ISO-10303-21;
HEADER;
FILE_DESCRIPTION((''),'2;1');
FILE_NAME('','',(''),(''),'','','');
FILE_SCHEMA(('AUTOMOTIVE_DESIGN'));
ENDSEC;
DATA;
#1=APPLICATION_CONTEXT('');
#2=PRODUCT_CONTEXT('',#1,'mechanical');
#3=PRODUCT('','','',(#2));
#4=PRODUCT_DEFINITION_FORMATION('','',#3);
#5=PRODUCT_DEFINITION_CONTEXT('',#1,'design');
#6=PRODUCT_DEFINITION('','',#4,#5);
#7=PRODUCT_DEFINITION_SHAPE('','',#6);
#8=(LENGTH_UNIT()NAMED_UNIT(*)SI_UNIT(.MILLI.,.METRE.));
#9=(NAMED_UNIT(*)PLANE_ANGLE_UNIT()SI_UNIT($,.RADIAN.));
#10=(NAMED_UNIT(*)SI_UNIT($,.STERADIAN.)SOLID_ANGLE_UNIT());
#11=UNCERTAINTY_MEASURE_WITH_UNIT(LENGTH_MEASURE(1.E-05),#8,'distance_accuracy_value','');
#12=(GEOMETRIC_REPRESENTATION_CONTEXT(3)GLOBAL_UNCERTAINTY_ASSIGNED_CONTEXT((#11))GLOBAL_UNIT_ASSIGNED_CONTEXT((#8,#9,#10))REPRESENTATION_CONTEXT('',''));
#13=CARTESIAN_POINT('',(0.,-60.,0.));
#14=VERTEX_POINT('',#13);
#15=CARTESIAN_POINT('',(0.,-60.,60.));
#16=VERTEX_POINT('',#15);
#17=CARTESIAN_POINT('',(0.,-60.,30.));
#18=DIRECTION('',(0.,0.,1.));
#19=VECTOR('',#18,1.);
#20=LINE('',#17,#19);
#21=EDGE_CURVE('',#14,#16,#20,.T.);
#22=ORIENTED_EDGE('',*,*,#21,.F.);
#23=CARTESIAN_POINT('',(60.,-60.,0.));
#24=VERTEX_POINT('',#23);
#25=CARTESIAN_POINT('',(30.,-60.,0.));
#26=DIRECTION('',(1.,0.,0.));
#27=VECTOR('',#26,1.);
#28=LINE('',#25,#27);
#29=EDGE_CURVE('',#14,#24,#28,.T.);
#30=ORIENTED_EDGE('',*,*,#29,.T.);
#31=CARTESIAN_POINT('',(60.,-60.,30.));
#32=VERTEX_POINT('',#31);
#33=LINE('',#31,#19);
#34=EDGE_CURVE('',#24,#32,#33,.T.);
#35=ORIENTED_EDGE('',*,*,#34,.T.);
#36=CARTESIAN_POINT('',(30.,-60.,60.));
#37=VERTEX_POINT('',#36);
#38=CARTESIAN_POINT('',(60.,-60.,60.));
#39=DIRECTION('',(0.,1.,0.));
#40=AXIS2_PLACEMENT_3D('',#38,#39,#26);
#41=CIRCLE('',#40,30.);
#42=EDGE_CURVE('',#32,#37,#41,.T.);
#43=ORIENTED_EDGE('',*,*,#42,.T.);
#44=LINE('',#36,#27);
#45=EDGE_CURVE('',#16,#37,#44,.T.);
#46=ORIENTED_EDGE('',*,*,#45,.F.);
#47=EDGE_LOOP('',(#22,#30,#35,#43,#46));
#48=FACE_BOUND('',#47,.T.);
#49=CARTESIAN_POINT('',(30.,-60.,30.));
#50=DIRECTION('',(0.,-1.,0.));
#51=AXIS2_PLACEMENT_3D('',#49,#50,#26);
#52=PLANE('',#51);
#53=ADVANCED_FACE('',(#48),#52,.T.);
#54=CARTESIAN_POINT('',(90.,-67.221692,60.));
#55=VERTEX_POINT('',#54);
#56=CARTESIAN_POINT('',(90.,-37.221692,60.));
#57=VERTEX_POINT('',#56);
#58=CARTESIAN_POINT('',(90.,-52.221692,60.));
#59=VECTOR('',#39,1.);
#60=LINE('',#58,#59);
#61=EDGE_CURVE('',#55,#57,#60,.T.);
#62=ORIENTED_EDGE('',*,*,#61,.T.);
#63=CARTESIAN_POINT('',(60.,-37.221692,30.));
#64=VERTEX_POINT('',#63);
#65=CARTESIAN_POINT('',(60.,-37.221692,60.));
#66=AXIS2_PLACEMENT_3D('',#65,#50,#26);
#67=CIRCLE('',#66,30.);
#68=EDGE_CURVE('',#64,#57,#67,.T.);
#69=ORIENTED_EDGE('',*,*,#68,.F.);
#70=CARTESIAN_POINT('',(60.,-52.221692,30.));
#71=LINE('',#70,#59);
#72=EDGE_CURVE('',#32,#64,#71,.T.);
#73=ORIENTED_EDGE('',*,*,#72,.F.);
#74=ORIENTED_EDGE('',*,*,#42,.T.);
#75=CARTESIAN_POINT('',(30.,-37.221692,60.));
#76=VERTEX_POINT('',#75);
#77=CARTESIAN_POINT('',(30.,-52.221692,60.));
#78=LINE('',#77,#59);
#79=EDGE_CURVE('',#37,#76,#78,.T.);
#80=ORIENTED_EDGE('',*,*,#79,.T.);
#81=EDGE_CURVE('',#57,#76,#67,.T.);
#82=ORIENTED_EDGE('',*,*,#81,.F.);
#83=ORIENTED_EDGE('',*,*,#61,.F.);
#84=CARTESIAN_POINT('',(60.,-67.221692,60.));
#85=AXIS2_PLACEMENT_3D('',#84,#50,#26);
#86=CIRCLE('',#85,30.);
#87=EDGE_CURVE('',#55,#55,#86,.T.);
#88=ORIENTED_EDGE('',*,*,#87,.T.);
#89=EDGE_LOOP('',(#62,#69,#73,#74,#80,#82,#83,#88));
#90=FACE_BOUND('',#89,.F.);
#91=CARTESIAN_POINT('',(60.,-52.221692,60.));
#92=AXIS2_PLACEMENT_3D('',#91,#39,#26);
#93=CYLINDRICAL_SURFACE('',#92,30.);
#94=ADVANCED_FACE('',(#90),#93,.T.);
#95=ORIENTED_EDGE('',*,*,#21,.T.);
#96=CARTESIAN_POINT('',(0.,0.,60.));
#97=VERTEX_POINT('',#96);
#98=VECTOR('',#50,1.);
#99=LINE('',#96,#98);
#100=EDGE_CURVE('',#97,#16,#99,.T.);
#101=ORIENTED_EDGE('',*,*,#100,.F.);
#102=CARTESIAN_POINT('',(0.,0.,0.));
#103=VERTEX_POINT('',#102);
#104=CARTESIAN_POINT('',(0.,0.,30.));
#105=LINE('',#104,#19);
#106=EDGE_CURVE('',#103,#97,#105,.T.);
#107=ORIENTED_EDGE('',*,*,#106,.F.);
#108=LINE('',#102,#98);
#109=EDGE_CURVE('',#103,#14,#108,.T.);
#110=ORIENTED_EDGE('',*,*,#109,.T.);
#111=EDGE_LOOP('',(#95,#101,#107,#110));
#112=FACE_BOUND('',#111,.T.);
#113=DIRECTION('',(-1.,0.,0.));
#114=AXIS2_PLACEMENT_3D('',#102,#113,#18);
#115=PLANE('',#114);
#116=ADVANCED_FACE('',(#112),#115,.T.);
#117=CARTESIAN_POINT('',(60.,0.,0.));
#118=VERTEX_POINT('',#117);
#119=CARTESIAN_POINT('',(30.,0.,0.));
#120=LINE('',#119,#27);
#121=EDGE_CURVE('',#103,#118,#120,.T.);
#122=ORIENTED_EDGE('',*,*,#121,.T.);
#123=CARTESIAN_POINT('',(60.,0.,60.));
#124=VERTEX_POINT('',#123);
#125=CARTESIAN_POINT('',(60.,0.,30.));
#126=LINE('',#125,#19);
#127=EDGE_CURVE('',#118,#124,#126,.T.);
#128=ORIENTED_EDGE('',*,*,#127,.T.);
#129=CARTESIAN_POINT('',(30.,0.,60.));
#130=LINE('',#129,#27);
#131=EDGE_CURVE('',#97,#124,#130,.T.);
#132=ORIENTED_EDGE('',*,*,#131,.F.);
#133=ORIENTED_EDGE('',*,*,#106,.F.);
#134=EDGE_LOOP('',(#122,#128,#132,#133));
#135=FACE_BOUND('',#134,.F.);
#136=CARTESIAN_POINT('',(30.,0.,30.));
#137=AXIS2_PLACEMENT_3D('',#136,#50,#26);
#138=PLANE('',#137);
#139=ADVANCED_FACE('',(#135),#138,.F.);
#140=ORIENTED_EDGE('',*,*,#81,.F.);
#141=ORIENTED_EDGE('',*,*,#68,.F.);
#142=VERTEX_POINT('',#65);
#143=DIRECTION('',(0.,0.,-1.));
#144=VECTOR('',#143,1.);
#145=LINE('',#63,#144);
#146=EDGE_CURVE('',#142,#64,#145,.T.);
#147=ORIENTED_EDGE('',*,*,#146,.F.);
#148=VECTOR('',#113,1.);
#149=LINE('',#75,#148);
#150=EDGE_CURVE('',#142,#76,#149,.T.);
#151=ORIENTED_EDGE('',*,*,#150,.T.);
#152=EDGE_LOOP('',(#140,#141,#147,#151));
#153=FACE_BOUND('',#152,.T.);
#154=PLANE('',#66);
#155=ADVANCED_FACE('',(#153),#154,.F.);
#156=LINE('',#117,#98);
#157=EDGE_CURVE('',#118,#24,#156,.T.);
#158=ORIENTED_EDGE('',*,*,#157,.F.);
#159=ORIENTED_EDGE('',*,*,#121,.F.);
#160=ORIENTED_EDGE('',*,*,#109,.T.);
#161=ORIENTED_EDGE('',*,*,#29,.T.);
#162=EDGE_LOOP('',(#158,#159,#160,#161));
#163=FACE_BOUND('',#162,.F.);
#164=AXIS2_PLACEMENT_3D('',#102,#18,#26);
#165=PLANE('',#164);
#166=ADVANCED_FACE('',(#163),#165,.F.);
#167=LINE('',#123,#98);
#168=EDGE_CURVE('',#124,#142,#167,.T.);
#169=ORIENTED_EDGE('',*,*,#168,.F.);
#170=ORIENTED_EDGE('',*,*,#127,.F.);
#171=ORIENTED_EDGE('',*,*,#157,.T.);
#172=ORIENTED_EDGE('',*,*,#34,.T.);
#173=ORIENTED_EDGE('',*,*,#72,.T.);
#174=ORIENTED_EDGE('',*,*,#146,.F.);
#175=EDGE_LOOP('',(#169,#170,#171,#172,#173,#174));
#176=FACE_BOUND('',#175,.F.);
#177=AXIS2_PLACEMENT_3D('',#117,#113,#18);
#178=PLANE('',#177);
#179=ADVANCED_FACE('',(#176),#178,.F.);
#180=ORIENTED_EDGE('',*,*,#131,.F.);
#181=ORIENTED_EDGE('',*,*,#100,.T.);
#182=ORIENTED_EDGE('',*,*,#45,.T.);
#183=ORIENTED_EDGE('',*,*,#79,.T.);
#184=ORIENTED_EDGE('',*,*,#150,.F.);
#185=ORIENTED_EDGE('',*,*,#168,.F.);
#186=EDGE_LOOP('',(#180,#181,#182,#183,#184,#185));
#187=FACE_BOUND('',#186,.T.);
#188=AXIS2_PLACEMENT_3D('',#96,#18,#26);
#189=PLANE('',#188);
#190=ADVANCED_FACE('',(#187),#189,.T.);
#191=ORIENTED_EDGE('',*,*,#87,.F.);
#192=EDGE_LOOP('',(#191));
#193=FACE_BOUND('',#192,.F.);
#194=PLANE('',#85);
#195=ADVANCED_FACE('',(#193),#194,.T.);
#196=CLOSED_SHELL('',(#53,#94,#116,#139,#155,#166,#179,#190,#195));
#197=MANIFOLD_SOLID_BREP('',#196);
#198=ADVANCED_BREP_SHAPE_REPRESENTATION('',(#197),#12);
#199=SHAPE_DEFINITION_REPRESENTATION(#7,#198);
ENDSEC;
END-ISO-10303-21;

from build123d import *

# Parameters (mm, degrees)
F0_W     = 60
F0_H     = 60
F1_DEPTH = 60
F2_W     = 30
F2_H     = 30


with BuildPart() as f1:
    # F0 (on Front) → F1 (new body)
    with BuildSketch(Plane.XZ):
        with Locations((30, 30)):
            Rectangle(F0_W, F0_H)
    extrude(amount=F1_DEPTH)

    # F2 (on face) → F3 (revolve)
    with BuildSketch(Plane.XY.offset(60)):
        with Locations((75, -52.221692)):
            Rectangle(F2_W, F2_H)
    revolve(axis=Axis((60, -52.221692, 60), (0, -1, 0)))


solid = f1.part
